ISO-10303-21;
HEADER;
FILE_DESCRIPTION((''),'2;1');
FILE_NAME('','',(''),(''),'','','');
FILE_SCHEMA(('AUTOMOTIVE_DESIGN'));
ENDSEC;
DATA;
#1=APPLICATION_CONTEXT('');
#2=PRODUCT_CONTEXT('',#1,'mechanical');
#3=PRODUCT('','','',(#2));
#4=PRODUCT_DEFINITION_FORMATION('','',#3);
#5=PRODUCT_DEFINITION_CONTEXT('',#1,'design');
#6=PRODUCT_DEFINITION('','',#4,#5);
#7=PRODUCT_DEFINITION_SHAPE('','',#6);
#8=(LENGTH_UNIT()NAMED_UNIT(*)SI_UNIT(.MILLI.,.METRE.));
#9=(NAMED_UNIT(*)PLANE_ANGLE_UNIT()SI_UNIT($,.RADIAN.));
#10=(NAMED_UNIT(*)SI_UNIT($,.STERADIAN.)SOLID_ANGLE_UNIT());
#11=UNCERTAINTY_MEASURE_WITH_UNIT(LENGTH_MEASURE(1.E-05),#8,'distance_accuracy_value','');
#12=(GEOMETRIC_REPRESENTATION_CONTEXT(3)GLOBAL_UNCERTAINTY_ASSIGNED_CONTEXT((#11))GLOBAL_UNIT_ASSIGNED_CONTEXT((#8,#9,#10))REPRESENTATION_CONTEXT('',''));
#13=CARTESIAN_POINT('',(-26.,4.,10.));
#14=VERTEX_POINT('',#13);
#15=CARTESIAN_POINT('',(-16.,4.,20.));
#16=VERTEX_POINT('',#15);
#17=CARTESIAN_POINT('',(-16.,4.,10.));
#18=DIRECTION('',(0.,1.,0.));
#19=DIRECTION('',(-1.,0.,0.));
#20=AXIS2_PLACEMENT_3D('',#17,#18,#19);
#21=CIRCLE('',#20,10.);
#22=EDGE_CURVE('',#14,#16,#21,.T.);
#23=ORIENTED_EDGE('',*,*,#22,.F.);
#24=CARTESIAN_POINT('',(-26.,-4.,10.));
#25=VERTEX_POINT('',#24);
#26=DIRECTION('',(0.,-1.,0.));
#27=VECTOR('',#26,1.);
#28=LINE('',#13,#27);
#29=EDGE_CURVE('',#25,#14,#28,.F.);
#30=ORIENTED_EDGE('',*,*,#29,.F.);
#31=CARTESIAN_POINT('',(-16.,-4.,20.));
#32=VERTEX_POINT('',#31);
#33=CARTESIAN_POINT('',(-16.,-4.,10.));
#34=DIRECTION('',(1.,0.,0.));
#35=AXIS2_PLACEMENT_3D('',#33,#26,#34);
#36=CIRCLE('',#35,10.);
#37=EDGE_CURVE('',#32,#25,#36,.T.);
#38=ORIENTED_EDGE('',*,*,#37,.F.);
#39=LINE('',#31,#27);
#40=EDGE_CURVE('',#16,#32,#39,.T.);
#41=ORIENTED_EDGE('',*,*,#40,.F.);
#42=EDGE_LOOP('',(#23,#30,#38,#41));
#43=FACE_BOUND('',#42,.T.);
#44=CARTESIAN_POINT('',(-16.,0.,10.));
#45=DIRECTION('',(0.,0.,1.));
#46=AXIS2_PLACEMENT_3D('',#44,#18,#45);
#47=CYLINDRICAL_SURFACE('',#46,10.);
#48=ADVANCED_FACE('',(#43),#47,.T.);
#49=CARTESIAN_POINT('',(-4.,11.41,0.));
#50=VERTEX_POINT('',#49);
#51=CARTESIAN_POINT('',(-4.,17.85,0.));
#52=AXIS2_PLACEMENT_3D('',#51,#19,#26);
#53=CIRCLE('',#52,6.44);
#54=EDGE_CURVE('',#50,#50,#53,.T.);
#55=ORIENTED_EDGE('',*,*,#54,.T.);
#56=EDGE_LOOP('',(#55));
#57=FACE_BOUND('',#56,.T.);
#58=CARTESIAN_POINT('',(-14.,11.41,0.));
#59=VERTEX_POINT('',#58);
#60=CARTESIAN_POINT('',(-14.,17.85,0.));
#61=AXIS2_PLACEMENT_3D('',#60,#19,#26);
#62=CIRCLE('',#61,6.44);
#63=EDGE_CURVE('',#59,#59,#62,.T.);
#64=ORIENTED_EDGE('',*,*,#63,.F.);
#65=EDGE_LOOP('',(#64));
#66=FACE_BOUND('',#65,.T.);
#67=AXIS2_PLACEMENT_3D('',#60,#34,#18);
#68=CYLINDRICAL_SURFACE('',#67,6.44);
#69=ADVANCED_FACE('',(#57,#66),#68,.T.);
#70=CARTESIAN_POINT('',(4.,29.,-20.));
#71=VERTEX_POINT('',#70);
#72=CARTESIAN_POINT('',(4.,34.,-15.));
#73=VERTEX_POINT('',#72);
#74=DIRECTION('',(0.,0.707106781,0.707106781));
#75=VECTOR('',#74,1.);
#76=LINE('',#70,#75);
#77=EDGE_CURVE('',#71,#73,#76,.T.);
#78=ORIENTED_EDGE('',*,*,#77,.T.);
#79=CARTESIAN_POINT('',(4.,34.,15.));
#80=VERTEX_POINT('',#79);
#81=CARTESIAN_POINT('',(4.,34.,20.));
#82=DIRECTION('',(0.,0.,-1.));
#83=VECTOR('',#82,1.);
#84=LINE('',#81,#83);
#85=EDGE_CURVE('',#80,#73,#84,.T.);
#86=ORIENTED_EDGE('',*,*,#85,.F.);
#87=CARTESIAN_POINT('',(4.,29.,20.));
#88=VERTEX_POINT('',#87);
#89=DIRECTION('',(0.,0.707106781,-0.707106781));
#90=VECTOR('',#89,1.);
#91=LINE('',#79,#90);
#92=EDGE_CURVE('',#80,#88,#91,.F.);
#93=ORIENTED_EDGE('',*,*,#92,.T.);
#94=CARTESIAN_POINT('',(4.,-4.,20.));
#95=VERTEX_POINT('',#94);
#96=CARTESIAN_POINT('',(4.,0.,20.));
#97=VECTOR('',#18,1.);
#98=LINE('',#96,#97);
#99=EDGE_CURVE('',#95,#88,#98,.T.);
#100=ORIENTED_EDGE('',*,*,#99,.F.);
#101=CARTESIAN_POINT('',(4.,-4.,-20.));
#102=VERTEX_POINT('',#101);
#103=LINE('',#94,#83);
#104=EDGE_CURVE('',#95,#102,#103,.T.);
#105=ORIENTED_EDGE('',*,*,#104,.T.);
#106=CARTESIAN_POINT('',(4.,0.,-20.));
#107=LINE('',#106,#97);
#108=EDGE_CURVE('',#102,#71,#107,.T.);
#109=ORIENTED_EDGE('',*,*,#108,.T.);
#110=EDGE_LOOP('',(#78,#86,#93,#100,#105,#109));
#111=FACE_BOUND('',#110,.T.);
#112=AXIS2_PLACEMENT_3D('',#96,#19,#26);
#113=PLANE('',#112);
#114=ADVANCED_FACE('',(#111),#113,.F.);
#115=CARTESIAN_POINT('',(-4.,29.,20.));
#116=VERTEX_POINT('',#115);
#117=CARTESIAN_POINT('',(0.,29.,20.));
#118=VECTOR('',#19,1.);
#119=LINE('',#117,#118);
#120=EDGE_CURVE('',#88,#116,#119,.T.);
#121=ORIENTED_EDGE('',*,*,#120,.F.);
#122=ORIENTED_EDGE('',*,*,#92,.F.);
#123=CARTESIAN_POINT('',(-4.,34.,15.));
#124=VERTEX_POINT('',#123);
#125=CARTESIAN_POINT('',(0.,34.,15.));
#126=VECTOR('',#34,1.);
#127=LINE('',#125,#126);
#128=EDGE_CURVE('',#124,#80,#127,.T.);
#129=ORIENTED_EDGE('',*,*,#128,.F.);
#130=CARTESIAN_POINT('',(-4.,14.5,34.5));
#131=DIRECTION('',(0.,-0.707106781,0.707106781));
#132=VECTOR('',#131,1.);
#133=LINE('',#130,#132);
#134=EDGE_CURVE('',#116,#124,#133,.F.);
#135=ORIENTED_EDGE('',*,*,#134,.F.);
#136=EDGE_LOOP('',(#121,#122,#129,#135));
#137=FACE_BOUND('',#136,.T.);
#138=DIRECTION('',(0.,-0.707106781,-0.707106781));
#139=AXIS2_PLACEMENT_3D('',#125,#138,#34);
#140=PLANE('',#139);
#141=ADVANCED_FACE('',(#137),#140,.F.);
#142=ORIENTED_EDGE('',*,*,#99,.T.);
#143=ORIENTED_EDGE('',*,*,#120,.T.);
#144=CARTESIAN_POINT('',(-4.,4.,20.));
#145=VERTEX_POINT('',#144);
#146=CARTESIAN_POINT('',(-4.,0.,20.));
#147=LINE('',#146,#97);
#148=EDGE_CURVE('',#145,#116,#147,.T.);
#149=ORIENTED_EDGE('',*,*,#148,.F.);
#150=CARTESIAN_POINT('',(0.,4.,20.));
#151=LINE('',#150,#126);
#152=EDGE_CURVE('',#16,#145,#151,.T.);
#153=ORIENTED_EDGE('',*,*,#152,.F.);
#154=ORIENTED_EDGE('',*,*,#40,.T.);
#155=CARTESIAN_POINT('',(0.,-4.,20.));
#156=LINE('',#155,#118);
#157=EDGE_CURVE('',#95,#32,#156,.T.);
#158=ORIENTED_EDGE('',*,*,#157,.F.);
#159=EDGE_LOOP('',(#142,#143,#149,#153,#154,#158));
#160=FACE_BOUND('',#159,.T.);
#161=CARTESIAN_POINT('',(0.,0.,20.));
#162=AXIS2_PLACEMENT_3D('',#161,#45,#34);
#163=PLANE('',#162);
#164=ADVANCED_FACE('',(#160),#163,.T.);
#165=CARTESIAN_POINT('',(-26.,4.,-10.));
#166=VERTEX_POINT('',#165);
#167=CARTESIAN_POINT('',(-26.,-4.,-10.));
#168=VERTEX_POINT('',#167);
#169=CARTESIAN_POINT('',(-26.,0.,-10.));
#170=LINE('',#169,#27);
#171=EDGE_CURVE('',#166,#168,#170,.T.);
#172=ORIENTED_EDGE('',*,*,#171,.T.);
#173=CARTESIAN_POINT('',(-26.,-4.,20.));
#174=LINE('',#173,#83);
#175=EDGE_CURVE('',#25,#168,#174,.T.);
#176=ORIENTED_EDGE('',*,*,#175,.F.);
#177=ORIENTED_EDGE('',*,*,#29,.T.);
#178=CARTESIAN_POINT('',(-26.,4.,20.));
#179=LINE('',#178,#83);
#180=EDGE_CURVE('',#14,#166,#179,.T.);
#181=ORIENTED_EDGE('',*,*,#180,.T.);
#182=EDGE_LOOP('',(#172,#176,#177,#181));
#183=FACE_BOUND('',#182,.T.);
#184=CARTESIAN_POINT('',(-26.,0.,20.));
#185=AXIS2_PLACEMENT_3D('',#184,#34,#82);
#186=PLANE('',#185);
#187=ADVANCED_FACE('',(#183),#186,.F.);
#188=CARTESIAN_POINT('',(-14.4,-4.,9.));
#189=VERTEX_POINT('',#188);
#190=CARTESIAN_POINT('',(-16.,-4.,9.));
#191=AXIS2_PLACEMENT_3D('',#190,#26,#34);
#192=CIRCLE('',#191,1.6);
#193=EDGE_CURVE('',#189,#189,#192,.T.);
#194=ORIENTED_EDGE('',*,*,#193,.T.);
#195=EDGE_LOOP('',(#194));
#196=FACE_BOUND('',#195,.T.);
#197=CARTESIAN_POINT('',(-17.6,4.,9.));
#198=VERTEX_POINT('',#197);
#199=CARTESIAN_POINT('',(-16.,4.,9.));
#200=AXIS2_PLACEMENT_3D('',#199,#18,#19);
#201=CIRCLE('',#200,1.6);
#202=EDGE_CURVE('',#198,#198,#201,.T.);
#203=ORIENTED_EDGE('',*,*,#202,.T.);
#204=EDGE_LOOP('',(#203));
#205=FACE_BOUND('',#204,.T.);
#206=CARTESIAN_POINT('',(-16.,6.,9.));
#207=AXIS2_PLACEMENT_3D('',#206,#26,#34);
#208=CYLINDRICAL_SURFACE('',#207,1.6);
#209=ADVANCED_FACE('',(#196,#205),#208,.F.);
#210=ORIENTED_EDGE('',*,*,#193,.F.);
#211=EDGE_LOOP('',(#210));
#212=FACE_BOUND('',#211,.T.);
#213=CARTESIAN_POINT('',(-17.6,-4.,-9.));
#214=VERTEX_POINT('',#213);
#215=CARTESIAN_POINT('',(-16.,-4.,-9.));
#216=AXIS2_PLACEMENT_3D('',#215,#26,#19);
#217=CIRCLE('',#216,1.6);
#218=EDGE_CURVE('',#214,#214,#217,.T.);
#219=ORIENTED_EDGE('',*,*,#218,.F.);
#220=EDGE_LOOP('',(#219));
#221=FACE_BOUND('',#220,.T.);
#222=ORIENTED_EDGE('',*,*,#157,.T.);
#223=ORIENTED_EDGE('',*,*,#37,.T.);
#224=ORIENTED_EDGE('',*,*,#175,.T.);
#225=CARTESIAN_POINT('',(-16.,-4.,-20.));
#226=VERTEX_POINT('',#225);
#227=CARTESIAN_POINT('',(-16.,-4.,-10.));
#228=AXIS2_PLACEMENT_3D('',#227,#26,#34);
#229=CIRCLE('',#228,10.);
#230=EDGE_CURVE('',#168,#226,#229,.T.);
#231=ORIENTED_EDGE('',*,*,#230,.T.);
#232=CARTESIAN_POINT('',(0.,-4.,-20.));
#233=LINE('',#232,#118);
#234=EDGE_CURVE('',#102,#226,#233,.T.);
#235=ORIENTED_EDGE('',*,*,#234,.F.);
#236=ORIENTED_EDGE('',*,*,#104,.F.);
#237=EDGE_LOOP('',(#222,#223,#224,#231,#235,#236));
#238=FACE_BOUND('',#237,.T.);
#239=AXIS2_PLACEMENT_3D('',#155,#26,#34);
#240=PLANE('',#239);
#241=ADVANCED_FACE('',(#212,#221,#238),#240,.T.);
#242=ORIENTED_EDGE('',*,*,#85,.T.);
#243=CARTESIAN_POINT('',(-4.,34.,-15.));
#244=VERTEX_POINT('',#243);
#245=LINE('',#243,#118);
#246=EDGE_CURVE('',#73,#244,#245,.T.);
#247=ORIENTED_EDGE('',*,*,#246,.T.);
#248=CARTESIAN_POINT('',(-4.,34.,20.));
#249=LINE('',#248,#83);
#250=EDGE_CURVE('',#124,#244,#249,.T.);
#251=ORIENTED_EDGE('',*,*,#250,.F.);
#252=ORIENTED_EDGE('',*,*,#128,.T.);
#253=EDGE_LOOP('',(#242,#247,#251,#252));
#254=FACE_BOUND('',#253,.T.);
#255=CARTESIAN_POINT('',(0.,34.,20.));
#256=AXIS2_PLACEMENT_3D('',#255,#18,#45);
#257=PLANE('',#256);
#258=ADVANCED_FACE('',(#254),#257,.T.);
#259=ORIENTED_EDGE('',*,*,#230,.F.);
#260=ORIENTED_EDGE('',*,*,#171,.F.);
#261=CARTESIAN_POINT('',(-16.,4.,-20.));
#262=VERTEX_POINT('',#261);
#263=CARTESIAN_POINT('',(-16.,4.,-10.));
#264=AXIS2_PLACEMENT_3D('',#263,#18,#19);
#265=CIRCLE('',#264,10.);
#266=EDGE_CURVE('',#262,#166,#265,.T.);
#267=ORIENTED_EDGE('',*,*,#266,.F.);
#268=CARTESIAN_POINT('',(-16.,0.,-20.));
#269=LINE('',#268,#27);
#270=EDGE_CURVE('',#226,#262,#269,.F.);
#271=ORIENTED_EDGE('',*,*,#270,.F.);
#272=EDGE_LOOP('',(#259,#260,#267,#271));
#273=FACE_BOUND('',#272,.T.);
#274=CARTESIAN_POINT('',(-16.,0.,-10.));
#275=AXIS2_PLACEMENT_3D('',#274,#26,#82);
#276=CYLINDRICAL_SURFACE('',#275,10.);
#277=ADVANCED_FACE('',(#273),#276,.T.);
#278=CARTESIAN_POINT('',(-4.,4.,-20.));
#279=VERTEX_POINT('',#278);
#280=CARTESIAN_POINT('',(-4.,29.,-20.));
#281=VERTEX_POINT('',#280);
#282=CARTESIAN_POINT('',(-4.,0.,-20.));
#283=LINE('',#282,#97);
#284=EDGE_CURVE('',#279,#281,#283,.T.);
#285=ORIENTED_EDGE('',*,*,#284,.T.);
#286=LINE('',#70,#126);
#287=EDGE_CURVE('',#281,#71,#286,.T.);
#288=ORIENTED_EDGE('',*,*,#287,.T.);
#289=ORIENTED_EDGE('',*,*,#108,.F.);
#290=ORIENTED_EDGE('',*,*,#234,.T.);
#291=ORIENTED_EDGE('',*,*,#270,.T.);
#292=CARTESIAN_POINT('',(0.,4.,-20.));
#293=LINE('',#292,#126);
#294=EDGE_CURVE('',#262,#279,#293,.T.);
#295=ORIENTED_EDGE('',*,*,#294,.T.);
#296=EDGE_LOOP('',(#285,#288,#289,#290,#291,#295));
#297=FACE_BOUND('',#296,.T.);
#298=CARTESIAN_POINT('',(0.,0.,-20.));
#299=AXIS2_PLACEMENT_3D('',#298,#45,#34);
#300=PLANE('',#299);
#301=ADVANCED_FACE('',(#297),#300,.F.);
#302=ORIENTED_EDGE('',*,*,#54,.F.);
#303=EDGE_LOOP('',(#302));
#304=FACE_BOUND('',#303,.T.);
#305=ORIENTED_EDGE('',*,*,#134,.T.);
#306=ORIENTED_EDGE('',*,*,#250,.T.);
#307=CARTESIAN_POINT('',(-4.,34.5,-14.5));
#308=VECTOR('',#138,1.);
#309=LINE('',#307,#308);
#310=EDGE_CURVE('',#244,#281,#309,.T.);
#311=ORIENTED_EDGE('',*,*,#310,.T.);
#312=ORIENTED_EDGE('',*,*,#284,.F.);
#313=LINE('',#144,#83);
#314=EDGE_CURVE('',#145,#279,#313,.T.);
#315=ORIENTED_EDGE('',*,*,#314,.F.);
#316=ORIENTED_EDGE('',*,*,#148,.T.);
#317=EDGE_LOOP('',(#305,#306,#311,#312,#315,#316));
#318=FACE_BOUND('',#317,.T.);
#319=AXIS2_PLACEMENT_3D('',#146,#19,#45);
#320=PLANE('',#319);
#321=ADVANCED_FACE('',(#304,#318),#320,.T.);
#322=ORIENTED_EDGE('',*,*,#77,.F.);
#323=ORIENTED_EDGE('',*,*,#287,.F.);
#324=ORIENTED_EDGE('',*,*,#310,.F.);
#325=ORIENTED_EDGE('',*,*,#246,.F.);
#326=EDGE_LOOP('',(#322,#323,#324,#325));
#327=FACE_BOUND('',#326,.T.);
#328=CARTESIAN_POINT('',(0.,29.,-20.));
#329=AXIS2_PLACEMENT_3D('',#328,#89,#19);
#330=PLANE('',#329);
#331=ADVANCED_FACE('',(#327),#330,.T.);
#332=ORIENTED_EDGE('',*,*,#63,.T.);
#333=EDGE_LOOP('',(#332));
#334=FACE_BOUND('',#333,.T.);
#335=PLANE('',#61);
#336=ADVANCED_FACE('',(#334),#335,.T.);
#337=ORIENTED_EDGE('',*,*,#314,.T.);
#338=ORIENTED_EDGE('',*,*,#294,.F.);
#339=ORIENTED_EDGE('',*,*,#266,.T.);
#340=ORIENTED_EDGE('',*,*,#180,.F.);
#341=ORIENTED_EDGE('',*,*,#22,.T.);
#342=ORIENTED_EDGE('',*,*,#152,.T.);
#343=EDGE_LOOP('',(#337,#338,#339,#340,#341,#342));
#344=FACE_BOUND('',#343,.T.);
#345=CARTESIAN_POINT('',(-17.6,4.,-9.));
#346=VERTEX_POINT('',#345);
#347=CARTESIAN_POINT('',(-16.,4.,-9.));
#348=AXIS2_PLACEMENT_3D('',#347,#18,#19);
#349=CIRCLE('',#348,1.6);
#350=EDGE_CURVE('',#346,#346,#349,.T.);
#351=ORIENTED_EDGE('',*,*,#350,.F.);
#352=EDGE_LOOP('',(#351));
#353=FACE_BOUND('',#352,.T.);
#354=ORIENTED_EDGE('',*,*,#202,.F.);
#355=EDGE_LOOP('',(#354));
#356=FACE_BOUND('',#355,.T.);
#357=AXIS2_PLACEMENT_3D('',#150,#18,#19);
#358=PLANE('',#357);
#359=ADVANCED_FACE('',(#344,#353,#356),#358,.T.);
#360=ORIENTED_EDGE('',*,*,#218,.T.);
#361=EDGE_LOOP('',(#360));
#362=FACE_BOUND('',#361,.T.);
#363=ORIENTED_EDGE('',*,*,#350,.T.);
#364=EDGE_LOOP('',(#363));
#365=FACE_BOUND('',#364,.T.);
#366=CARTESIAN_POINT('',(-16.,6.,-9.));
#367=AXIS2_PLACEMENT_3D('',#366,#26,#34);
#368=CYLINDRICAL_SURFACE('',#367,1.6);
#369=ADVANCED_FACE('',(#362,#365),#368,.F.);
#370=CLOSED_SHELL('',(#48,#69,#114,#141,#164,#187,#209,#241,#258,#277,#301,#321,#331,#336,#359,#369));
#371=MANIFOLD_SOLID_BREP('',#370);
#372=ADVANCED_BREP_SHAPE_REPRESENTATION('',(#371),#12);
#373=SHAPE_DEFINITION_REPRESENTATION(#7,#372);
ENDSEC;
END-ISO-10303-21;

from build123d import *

# Parameters (mm, degrees)
CROQUIS1_W              = 4
CROQUIS1_H              = 30
CROQUIS1_H_2            = 8
SALIENTE_EXTRUIR1_DEPTH = 20
CROQUIS2_R              = 6.44
SALIENTE_EXTRUIR2_DEPTH = 10
CHAFL_N1_SIZE           = 5
REDONDEO1_R             = 10
CROQUIS3_R              = 1.6
CORTAR_EXTRUIR1_DEPTH   = 10


with BuildPart() as part:
    # Croquis1 → Saliente-Extruir1 (new, symmetric)
    with BuildSketch(Plane.XY):
        with Locations((-2, 19)):
            Rectangle(CROQUIS1_W, CROQUIS1_H)
        with Locations((2, 19)):
            Rectangle(CROQUIS1_W, CROQUIS1_H)
        Polygon((0, -4), (0, 4), (-4, 4), (-26, 4), (-26, -4), align=None)
        with Locations((2, 0)):
            Rectangle(CROQUIS1_W, CROQUIS1_H_2)
    extrude(amount=SALIENTE_EXTRUIR1_DEPTH, both=True)

    # Croquis2 → Saliente-Extruir2 (add)
    with BuildSketch(Plane.ZY.offset(4)):
        with Locations(Location((0, 17.85, 0), (0, 0, 270))):
            Circle(CROQUIS2_R)
    extrude(amount=SALIENTE_EXTRUIR2_DEPTH)

    # Chaflán1
    chafl_n1_edges = [part.edges().sort_by_distance(p)[0] for p in [
        (0, 34, 20),
        (0, 34, -20),
    ]]
    chamfer(chafl_n1_edges, length=CHAFL_N1_SIZE)

    # Redondeo1
    redondeo1_edges = [part.edges().sort_by_distance(p)[0] for p in [
        (-26, 0, 20),
        (-26, 0, -20),
    ]]
    fillet(redondeo1_edges, radius=REDONDEO1_R)

    # Croquis3 → Cortar-Extruir1 (cut)
    with BuildSketch(Plane.XZ.offset(4)):
        with Locations((-16, 9)):
            Circle(CROQUIS3_R)
        with Locations(Location((-16, -9, 0), (0, 0, 180))):
            Circle(CROQUIS3_R)
    extrude(amount=-CORTAR_EXTRUIR1_DEPTH, mode=Mode.SUBTRACT)


solid = part.part
